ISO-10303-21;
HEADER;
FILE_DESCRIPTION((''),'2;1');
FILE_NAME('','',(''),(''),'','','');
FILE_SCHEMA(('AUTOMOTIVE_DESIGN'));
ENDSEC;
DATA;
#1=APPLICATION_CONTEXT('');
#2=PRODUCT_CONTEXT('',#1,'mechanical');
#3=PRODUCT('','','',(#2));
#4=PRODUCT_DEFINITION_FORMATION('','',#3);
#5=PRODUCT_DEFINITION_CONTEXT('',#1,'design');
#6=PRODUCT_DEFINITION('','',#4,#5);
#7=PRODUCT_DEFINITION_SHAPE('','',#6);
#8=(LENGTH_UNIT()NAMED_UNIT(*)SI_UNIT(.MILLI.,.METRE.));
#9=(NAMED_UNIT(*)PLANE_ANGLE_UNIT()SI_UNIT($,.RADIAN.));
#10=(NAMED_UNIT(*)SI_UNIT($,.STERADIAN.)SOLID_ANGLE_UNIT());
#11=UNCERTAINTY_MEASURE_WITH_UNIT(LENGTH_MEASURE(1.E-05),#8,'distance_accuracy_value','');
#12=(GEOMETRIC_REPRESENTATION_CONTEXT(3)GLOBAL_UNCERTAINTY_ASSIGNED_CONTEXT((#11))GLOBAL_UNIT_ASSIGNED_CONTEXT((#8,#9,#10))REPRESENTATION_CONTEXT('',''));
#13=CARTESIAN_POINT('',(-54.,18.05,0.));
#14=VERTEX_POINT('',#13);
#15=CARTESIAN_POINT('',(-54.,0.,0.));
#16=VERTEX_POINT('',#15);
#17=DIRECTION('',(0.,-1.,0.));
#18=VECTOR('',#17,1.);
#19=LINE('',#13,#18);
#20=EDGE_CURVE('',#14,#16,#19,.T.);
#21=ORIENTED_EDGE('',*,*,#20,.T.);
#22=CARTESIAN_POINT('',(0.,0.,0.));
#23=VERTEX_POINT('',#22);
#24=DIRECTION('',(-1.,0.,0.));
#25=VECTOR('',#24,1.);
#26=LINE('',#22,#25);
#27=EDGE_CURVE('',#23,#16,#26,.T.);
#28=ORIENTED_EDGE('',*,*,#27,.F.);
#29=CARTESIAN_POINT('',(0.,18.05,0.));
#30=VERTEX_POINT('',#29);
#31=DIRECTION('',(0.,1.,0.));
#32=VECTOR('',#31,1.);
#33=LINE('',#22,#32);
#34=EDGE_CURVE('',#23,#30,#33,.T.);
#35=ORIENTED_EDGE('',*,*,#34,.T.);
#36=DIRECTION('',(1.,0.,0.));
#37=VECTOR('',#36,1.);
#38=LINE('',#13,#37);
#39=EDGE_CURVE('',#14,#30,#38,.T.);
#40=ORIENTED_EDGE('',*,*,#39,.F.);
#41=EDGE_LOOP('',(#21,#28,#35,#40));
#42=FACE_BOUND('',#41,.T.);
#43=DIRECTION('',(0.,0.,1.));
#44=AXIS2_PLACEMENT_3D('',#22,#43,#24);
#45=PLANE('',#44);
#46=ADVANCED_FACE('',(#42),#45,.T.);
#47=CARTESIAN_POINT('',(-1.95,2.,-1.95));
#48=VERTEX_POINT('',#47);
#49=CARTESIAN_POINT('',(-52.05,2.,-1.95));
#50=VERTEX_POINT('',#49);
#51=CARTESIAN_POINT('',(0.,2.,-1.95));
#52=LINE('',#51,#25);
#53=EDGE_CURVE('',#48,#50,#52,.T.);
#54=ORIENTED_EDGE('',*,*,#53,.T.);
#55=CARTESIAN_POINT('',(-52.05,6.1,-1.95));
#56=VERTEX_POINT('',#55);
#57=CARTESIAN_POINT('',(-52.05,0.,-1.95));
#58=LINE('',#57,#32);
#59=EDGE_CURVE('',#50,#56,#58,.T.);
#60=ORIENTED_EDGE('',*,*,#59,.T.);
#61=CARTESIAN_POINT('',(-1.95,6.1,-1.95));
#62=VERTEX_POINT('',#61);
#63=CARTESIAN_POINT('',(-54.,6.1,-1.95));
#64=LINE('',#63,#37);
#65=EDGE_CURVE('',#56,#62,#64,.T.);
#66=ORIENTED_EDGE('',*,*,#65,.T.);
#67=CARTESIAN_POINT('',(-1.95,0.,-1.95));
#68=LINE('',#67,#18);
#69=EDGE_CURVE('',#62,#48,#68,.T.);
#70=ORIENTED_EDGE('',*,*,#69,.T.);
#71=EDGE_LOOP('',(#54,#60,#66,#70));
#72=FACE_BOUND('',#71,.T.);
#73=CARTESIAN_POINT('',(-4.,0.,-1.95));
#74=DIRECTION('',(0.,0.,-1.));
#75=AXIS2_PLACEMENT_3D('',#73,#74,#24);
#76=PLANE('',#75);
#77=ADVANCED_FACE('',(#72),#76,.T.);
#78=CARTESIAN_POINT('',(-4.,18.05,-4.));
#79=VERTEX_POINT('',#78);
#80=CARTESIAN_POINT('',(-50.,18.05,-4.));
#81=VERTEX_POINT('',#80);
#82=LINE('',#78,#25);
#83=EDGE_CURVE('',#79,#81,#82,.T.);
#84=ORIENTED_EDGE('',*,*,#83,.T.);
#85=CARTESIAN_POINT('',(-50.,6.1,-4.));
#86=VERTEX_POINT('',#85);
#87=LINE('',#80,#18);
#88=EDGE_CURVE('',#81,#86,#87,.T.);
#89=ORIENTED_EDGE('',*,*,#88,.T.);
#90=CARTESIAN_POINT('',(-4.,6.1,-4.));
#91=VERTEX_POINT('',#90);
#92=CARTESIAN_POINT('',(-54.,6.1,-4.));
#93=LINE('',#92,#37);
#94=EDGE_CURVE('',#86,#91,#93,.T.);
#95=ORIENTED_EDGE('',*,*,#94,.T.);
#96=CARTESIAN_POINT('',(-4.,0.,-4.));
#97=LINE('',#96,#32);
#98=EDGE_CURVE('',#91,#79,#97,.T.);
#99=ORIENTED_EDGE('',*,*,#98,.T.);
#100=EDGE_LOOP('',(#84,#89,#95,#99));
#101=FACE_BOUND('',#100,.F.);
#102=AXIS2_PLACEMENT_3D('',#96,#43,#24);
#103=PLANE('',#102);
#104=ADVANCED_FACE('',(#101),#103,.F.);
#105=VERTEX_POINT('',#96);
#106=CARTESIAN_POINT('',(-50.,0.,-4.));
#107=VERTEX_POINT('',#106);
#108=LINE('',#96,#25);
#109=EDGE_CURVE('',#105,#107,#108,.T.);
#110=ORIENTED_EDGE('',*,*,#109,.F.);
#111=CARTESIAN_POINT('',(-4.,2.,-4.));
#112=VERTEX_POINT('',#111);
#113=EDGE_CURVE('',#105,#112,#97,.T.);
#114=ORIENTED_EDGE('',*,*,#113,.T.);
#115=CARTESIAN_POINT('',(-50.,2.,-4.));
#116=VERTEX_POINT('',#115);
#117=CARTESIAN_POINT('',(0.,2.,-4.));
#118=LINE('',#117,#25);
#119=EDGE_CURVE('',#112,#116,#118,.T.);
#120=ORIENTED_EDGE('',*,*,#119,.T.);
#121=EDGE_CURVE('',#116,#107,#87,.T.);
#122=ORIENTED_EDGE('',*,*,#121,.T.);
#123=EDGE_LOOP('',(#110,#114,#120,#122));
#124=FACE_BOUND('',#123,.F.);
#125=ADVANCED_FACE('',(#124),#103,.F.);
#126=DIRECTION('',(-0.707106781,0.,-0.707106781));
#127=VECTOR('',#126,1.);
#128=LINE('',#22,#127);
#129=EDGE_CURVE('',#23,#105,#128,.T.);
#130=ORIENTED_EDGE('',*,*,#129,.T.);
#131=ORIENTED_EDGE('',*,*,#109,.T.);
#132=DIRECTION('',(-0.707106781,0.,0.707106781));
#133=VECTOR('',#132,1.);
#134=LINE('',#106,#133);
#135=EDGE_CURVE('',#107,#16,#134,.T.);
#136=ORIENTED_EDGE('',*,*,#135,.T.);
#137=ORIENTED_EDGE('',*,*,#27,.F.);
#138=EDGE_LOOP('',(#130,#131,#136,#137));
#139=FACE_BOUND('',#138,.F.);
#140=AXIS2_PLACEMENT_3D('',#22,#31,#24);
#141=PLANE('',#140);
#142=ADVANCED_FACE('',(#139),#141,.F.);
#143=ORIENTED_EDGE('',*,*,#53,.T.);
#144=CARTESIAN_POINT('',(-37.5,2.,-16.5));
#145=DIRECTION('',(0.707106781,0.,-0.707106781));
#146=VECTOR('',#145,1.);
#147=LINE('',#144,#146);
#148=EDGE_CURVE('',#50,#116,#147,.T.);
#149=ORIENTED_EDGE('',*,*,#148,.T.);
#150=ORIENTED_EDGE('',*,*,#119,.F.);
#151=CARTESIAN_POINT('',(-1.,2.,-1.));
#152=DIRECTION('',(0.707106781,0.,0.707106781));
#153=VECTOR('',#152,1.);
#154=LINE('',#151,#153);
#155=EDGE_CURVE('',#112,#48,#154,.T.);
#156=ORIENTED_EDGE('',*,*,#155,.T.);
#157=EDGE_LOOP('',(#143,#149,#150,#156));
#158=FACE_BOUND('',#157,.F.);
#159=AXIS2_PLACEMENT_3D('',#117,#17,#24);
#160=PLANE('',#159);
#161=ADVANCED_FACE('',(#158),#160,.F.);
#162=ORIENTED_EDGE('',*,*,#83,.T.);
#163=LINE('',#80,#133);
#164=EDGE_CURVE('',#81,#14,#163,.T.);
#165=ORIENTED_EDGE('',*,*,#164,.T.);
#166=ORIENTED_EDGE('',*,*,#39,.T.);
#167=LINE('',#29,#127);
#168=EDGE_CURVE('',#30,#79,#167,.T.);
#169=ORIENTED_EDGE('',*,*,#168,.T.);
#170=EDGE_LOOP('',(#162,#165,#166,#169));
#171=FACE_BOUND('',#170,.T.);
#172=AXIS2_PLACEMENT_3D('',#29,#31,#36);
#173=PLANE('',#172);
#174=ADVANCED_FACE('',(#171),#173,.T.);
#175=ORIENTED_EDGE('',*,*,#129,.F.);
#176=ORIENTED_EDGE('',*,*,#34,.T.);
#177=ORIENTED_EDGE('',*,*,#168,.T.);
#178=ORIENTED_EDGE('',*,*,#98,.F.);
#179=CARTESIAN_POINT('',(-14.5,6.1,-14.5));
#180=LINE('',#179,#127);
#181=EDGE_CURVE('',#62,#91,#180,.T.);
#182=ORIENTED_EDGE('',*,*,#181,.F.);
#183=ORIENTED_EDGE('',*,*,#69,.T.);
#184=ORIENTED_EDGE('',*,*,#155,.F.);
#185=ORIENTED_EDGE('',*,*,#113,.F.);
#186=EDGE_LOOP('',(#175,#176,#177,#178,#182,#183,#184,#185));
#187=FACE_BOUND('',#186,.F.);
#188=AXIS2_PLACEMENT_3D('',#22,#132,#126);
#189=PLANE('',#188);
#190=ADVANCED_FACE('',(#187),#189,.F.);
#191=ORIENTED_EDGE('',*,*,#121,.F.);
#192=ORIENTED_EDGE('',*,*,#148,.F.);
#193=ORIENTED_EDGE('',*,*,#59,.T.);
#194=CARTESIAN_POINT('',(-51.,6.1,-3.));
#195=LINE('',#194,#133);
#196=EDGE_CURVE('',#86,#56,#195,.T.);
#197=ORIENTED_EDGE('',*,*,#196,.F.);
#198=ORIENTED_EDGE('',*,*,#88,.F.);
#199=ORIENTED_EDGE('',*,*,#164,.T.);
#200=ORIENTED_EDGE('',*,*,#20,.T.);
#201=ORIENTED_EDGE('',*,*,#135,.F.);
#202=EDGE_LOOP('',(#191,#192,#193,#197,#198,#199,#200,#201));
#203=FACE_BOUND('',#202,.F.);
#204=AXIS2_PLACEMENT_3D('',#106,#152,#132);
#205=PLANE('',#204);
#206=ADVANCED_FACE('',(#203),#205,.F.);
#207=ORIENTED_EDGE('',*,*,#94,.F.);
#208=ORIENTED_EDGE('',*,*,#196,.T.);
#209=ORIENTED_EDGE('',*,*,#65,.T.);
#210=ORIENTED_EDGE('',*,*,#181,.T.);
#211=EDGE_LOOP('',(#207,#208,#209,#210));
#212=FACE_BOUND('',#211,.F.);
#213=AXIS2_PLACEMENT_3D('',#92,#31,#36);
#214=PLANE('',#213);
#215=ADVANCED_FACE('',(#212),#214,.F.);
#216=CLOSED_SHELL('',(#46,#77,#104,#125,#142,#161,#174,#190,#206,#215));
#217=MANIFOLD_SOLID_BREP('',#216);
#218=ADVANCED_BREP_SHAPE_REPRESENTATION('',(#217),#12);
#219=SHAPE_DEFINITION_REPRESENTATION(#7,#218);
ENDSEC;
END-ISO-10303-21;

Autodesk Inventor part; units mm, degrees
ref_plane "XZ Plane" through (0, 0, 0) normal (0, 1, 0) x (-1, 0, 0)
ref_plane "XY Plane" through (0, 0, 0) normal (0, 0, 1) x (1, 0, 0)
sketch "Sketch1" plane through (0, 0, 0) normal (0, 1, 0) x (-1, 0, 0)
  line L0 (0, 0) -> (54, 0)
  line L1 (4, -4) -> (50, -4)
  line L2 (0, -4) -> (50, -4) construction
  line L3 (50, -4) -> (54, 0)
  line L4 (0, 0) -> (4, -4)
  dimension "d0" = 54
  dimension "d1" = 4
  dimension "d3" = 0
extrude "Extrusion1" add sketch "Sketch1" along normal blind 17
sketch "Sketch2" plane through (-4, 0, -4) normal (0, 0, -1) x (-1, 0, 0)
  line L0 (-4, 0) -> (-4, 17) projected
  line L1 (50, 0) -> (50, 17) projected
  line L2 (-4, 2) -> (50, 2)
  line L3 (50, 2) -> (50, 6.1)
  line L4 (50, 6.1) -> (-4, 6.1)
  line L5 (-4, 6.1) -> (-4, 2)
  line L6 (0, 0) -> (46, 0) projected
  point P0 (-4, 6.1)
  dimension "d6" = 4.1
  dimension "d7" = 2
sketch "Sketch3" plane through (0, 17, 0) normal (0, 1, 0) x (1, 0, 0)
  line L0 (-50, 4) -> (-54, 0) projected
  line L1 (-54, 0) -> (0, 0) projected
  line L2 (0, 0) -> (-4, 4) projected
  line L3 (-4, 4) -> (-50, 4) projected
extrude "Extrusion2" add sketch "Sketch3" along normal blind 1.05
extrude "Extrusion3" cut sketch "Sketch2" against normal blind 2.05
ref_plane "Work Plane1" through (-27, 0, 0) normal (1, 0, 0) x (0, 1, 0)
properties part number "PDMS Chamber-Mold-V8-Left_Right-Wall Steven"
